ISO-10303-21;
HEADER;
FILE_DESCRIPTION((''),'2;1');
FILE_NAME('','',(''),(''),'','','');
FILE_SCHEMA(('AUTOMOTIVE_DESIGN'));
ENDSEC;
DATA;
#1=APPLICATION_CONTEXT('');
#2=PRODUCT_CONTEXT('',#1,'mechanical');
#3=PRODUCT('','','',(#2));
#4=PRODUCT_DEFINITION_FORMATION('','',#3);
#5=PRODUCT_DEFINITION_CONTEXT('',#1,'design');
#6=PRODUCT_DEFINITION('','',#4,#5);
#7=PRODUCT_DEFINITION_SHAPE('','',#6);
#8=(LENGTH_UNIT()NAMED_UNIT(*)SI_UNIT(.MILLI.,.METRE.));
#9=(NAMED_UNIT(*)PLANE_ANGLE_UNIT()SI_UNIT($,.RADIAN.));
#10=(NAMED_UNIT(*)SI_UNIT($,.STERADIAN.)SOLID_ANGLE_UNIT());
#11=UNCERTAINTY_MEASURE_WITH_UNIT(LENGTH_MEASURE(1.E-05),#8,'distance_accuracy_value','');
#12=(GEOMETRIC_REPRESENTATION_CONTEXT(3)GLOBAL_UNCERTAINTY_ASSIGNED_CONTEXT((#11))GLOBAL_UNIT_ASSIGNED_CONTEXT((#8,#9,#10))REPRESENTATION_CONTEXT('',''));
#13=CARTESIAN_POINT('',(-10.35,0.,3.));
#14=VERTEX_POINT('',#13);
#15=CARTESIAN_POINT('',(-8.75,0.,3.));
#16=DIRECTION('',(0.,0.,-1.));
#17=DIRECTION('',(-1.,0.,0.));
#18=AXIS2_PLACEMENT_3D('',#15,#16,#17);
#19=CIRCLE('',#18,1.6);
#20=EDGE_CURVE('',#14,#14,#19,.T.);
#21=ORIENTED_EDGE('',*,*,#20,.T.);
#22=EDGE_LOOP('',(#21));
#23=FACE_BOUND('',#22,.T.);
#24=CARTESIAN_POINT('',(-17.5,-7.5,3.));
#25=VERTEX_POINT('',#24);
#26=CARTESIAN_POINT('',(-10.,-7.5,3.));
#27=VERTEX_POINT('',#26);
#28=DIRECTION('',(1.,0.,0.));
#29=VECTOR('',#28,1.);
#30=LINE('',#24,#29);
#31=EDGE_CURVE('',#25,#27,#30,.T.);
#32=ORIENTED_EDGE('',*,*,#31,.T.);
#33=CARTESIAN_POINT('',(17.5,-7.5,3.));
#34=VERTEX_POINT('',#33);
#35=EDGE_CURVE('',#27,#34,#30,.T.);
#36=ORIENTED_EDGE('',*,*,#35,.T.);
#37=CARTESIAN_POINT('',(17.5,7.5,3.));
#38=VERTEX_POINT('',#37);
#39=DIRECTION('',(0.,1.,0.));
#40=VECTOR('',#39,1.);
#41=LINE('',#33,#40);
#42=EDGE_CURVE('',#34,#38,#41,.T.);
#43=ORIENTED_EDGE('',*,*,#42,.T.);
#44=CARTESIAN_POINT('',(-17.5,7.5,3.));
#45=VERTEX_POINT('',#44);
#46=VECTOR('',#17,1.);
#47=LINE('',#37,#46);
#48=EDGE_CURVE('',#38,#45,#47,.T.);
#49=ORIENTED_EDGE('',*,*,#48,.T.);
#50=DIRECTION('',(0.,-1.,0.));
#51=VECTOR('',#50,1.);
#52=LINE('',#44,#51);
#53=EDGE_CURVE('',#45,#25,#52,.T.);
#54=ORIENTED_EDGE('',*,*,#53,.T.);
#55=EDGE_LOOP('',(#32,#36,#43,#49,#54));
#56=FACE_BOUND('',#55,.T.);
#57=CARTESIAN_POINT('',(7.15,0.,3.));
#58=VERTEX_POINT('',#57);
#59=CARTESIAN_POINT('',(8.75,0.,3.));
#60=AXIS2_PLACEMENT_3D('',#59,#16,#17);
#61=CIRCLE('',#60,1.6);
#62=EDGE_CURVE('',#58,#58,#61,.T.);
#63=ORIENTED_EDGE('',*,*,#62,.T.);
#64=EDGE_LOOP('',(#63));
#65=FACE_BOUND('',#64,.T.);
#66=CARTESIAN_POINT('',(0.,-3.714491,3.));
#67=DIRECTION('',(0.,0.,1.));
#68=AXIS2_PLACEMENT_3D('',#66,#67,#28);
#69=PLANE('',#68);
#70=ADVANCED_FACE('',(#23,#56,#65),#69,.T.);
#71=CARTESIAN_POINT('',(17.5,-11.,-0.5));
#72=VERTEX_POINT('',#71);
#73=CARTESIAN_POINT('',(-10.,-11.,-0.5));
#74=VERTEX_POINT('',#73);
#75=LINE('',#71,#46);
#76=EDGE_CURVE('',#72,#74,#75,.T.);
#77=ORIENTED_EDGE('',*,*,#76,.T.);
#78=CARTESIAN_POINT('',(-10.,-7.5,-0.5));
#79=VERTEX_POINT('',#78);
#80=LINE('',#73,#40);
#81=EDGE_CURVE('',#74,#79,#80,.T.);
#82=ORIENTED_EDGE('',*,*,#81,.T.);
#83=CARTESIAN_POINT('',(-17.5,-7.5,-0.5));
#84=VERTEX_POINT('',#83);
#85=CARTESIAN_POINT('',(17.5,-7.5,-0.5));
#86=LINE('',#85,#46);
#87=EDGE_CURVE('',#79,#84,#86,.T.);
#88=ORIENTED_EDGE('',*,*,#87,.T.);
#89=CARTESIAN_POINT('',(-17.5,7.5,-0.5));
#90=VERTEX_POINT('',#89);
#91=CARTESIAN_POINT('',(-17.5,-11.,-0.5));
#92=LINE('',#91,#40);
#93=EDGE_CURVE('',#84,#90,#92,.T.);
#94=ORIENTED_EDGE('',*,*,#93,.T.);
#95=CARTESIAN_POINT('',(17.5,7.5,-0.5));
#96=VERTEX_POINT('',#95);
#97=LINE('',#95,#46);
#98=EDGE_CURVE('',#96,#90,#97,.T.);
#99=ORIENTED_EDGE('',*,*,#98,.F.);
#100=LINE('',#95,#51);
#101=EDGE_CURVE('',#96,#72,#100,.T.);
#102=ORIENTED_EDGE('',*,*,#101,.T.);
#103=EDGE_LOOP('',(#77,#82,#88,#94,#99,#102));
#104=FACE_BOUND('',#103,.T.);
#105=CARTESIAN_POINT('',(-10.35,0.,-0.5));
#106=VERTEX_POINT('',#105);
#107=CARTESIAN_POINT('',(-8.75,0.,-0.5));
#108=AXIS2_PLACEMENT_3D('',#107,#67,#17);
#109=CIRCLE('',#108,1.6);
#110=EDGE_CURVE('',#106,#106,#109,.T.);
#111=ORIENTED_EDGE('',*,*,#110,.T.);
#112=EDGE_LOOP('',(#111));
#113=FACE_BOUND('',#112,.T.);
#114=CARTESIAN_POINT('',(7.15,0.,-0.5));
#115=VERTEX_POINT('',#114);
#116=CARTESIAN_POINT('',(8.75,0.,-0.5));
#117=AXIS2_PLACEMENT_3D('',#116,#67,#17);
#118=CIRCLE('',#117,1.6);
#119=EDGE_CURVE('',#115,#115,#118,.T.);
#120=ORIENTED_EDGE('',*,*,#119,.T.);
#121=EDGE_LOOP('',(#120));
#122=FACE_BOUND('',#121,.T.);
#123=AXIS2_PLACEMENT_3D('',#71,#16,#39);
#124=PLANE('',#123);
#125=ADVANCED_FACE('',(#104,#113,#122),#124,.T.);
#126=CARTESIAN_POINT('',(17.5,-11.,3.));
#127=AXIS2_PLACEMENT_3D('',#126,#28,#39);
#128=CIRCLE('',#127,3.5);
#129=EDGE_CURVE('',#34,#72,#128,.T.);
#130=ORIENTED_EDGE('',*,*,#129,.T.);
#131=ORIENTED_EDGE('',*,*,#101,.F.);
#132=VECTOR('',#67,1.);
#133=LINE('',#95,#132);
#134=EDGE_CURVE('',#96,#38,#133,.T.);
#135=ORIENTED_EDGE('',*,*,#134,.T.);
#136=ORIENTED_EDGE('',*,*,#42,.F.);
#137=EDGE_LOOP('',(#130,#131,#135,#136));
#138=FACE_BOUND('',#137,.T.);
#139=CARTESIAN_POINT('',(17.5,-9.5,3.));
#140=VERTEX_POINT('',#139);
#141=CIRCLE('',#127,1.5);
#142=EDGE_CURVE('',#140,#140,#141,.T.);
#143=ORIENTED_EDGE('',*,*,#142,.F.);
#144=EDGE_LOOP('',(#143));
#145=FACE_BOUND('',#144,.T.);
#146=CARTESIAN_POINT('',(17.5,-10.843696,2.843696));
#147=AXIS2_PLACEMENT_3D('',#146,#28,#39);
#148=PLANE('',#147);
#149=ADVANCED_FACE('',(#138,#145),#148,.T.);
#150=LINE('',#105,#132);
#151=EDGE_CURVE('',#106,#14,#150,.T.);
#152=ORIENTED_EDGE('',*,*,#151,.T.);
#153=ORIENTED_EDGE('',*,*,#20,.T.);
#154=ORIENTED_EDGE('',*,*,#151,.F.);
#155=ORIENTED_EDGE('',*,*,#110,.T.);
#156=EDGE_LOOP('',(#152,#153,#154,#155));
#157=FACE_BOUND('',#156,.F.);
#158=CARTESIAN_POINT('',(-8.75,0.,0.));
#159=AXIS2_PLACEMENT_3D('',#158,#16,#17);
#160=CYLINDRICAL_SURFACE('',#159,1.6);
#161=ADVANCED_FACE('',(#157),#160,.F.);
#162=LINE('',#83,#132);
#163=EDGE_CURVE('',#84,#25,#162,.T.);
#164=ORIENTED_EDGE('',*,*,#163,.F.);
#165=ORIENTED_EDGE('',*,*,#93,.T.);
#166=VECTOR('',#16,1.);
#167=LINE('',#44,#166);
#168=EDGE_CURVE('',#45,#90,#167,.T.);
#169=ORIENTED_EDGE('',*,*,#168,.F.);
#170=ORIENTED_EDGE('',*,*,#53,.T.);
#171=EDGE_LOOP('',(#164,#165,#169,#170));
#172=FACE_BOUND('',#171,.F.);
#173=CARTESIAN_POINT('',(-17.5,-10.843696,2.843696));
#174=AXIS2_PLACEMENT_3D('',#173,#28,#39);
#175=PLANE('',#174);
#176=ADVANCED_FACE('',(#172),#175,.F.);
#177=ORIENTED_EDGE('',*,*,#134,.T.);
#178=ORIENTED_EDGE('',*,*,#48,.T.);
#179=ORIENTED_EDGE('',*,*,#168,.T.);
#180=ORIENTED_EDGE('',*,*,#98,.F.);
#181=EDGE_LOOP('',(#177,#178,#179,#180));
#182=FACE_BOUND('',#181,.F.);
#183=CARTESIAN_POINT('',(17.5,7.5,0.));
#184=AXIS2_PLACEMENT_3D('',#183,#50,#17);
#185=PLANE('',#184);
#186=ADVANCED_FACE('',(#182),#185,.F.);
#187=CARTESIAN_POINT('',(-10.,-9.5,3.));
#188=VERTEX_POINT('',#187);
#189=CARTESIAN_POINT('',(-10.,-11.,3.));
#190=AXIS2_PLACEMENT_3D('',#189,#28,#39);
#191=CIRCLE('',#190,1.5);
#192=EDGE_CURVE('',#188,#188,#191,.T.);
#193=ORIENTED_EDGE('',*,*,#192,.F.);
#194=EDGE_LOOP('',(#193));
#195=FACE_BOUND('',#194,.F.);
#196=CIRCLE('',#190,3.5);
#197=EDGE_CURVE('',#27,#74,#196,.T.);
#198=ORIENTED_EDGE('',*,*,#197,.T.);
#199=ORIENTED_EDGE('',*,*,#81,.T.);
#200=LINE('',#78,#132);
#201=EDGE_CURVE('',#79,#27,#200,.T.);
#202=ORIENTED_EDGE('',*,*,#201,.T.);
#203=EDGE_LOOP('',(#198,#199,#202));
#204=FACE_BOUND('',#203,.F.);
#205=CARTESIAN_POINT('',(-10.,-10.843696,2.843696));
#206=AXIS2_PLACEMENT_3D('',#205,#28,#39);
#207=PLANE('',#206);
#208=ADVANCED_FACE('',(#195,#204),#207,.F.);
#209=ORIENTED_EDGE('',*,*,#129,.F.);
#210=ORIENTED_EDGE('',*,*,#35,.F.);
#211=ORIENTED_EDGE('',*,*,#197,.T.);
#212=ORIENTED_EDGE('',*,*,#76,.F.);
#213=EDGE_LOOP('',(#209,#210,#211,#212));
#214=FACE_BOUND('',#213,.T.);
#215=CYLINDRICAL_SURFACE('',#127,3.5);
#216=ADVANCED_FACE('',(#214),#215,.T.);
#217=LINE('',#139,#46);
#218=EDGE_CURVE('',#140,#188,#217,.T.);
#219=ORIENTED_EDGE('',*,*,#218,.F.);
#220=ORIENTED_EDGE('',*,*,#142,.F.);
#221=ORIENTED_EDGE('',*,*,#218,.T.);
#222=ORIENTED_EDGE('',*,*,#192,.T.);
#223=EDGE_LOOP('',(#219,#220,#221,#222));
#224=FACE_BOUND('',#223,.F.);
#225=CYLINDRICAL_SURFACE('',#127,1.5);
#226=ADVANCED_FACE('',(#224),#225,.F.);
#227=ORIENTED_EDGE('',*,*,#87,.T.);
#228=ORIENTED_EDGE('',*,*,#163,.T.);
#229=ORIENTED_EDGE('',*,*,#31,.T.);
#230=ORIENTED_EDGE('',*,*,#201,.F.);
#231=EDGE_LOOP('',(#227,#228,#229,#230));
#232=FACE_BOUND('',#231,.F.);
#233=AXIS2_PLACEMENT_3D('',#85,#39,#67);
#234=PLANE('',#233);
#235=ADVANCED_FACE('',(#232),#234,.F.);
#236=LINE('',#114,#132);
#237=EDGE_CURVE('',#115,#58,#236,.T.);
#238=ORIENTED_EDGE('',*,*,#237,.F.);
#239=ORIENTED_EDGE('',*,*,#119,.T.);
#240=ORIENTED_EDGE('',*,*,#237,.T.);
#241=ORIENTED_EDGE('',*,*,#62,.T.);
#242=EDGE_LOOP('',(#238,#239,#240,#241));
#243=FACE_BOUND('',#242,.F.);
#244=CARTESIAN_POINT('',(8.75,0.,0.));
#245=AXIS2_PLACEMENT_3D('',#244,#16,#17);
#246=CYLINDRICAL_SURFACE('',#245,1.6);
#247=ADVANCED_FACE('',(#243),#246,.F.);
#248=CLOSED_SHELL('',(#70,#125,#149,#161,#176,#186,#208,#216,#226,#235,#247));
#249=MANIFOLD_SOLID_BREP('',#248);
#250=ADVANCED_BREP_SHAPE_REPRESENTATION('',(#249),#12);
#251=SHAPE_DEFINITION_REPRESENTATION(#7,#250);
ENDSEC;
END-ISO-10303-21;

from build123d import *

# Parameters (mm, degrees)
F1_DEPTH = 3
F2_R     = 1.5
F2_W     = 15
F2_H     = 0.5
F3_DEPTH = 35
F4_DEPTH = 25
F5_DEPTH = 35
F6_DEPTH = 27.5


with BuildPart() as f1:
    # F0 (on Top) → F1 (new body)
    with BuildSketch(Plane.XY):
        with BuildLine():
            Line((-17.5, 0), (-17.5, -7.5))
            Line((-17.5, -7.5), (17.5, -7.5))
            Line((17.5, -7.5), (17.5, 0))
            Line((17.5, 0), (10.35, 0))
            ThreePointArc((10.35, 0), (8.75, -1.6), (7.15, 0))
            Line((7.15, 0), (0, 0))
            Line((0, 0), (-7.15, 0))
            ThreePointArc((-7.15, 0), (-8.75, -1.6), (-10.35, 0))
            Line((-10.35, 0), (-17.5, 0))
        make_face()
        with BuildLine():
            Line((-17.5, 7.5), (-17.5, 0))
            Line((-17.5, 0), (-10.35, 0))
            ThreePointArc((-10.35, 0), (-8.75, 1.6), (-7.15, 0))
            Line((-7.15, 0), (0, 0))
            Line((0, 0), (7.15, 0))
            ThreePointArc((7.15, 0), (8.75, 1.6), (10.35, 0))
            Line((10.35, 0), (17.5, 0))
            Line((17.5, 0), (17.5, 7.5))
            Line((17.5, 7.5), (-17.5, 7.5))
        make_face()
    extrude(amount=F1_DEPTH)

    # F2 (on face) → F3 (join)
    with BuildSketch(Plane.YZ.offset(17.5)):
        with BuildLine():
            ThreePointArc((-11, -0.5), (-8.5251262658, 0.5251262658), (-7.5, 3))
            ThreePointArc((-7.5, 3), (-13.4748737342, 5.4748737342), (-11, -0.5))
        make_face()
        with Locations((-11, 3)):
            Circle(F2_R, mode=Mode.SUBTRACT)
        with BuildLine():
            Line((-7.5, 0), (-7.5, 3))
            ThreePointArc((-7.5, 3), (-8.5251262658, 0.5251262658), (-11, -0.5))
            Line((-11, -0.5), (-7.5, -0.5))
            Line((-7.5, -0.5), (-7.5, 0))
        make_face()
        with Locations((0, -0.25)):
            Rectangle(F2_W, F2_H)
    extrude(amount=-F3_DEPTH)

    # F4 (cut): faces of the model
    f4_faces = [f1.faces().sort_by_distance(p)[0] for p in [
        (-8.75, 0, 0),
        (8.75, 0, 0),
    ]]
    extrude(f4_faces, amount=-F4_DEPTH, mode=Mode.SUBTRACT)

    # F2 (on face) → F5 (cut)
    with BuildSketch(Plane.YZ.offset(17.5)):
        with BuildLine():
            ThreePointArc((-11, -0.5), (-8.5251262658, 0.5251262658), (-7.5, 3))
            ThreePointArc((-7.5, 3), (-13.4748737342, 5.4748737342), (-11, -0.5))
        make_face()
        with Locations((-11, 3)):
            Circle(F2_R, mode=Mode.SUBTRACT)
        with BuildLine():
            Line((-7.5, 0), (-7.5, 3))
            ThreePointArc((-7.5, 3), (-8.5251262658, 0.5251262658), (-11, -0.5))
            Line((-11, -0.5), (-7.5, -0.5))
            Line((-7.5, -0.5), (-7.5, 0))
        make_face()
    extrude(amount=-F5_DEPTH, mode=Mode.SUBTRACT)

    # F2 (on face) → F6 (join)
    with BuildSketch(Plane.YZ.offset(17.5)):
        with BuildLine():
            ThreePointArc((-11, -0.5), (-8.5251262658, 0.5251262658), (-7.5, 3))
            ThreePointArc((-7.5, 3), (-13.4748737342, 5.4748737342), (-11, -0.5))
        make_face()
        with Locations((-11, 3)):
            Circle(F2_R, mode=Mode.SUBTRACT)
        with BuildLine():
            Line((-7.5, 0), (-7.5, 3))
            ThreePointArc((-7.5, 3), (-8.5251262658, 0.5251262658), (-11, -0.5))
            Line((-11, -0.5), (-7.5, -0.5))
            Line((-7.5, -0.5), (-7.5, 0))
        make_face()
    extrude(amount=-F6_DEPTH)


solid = f1.part
